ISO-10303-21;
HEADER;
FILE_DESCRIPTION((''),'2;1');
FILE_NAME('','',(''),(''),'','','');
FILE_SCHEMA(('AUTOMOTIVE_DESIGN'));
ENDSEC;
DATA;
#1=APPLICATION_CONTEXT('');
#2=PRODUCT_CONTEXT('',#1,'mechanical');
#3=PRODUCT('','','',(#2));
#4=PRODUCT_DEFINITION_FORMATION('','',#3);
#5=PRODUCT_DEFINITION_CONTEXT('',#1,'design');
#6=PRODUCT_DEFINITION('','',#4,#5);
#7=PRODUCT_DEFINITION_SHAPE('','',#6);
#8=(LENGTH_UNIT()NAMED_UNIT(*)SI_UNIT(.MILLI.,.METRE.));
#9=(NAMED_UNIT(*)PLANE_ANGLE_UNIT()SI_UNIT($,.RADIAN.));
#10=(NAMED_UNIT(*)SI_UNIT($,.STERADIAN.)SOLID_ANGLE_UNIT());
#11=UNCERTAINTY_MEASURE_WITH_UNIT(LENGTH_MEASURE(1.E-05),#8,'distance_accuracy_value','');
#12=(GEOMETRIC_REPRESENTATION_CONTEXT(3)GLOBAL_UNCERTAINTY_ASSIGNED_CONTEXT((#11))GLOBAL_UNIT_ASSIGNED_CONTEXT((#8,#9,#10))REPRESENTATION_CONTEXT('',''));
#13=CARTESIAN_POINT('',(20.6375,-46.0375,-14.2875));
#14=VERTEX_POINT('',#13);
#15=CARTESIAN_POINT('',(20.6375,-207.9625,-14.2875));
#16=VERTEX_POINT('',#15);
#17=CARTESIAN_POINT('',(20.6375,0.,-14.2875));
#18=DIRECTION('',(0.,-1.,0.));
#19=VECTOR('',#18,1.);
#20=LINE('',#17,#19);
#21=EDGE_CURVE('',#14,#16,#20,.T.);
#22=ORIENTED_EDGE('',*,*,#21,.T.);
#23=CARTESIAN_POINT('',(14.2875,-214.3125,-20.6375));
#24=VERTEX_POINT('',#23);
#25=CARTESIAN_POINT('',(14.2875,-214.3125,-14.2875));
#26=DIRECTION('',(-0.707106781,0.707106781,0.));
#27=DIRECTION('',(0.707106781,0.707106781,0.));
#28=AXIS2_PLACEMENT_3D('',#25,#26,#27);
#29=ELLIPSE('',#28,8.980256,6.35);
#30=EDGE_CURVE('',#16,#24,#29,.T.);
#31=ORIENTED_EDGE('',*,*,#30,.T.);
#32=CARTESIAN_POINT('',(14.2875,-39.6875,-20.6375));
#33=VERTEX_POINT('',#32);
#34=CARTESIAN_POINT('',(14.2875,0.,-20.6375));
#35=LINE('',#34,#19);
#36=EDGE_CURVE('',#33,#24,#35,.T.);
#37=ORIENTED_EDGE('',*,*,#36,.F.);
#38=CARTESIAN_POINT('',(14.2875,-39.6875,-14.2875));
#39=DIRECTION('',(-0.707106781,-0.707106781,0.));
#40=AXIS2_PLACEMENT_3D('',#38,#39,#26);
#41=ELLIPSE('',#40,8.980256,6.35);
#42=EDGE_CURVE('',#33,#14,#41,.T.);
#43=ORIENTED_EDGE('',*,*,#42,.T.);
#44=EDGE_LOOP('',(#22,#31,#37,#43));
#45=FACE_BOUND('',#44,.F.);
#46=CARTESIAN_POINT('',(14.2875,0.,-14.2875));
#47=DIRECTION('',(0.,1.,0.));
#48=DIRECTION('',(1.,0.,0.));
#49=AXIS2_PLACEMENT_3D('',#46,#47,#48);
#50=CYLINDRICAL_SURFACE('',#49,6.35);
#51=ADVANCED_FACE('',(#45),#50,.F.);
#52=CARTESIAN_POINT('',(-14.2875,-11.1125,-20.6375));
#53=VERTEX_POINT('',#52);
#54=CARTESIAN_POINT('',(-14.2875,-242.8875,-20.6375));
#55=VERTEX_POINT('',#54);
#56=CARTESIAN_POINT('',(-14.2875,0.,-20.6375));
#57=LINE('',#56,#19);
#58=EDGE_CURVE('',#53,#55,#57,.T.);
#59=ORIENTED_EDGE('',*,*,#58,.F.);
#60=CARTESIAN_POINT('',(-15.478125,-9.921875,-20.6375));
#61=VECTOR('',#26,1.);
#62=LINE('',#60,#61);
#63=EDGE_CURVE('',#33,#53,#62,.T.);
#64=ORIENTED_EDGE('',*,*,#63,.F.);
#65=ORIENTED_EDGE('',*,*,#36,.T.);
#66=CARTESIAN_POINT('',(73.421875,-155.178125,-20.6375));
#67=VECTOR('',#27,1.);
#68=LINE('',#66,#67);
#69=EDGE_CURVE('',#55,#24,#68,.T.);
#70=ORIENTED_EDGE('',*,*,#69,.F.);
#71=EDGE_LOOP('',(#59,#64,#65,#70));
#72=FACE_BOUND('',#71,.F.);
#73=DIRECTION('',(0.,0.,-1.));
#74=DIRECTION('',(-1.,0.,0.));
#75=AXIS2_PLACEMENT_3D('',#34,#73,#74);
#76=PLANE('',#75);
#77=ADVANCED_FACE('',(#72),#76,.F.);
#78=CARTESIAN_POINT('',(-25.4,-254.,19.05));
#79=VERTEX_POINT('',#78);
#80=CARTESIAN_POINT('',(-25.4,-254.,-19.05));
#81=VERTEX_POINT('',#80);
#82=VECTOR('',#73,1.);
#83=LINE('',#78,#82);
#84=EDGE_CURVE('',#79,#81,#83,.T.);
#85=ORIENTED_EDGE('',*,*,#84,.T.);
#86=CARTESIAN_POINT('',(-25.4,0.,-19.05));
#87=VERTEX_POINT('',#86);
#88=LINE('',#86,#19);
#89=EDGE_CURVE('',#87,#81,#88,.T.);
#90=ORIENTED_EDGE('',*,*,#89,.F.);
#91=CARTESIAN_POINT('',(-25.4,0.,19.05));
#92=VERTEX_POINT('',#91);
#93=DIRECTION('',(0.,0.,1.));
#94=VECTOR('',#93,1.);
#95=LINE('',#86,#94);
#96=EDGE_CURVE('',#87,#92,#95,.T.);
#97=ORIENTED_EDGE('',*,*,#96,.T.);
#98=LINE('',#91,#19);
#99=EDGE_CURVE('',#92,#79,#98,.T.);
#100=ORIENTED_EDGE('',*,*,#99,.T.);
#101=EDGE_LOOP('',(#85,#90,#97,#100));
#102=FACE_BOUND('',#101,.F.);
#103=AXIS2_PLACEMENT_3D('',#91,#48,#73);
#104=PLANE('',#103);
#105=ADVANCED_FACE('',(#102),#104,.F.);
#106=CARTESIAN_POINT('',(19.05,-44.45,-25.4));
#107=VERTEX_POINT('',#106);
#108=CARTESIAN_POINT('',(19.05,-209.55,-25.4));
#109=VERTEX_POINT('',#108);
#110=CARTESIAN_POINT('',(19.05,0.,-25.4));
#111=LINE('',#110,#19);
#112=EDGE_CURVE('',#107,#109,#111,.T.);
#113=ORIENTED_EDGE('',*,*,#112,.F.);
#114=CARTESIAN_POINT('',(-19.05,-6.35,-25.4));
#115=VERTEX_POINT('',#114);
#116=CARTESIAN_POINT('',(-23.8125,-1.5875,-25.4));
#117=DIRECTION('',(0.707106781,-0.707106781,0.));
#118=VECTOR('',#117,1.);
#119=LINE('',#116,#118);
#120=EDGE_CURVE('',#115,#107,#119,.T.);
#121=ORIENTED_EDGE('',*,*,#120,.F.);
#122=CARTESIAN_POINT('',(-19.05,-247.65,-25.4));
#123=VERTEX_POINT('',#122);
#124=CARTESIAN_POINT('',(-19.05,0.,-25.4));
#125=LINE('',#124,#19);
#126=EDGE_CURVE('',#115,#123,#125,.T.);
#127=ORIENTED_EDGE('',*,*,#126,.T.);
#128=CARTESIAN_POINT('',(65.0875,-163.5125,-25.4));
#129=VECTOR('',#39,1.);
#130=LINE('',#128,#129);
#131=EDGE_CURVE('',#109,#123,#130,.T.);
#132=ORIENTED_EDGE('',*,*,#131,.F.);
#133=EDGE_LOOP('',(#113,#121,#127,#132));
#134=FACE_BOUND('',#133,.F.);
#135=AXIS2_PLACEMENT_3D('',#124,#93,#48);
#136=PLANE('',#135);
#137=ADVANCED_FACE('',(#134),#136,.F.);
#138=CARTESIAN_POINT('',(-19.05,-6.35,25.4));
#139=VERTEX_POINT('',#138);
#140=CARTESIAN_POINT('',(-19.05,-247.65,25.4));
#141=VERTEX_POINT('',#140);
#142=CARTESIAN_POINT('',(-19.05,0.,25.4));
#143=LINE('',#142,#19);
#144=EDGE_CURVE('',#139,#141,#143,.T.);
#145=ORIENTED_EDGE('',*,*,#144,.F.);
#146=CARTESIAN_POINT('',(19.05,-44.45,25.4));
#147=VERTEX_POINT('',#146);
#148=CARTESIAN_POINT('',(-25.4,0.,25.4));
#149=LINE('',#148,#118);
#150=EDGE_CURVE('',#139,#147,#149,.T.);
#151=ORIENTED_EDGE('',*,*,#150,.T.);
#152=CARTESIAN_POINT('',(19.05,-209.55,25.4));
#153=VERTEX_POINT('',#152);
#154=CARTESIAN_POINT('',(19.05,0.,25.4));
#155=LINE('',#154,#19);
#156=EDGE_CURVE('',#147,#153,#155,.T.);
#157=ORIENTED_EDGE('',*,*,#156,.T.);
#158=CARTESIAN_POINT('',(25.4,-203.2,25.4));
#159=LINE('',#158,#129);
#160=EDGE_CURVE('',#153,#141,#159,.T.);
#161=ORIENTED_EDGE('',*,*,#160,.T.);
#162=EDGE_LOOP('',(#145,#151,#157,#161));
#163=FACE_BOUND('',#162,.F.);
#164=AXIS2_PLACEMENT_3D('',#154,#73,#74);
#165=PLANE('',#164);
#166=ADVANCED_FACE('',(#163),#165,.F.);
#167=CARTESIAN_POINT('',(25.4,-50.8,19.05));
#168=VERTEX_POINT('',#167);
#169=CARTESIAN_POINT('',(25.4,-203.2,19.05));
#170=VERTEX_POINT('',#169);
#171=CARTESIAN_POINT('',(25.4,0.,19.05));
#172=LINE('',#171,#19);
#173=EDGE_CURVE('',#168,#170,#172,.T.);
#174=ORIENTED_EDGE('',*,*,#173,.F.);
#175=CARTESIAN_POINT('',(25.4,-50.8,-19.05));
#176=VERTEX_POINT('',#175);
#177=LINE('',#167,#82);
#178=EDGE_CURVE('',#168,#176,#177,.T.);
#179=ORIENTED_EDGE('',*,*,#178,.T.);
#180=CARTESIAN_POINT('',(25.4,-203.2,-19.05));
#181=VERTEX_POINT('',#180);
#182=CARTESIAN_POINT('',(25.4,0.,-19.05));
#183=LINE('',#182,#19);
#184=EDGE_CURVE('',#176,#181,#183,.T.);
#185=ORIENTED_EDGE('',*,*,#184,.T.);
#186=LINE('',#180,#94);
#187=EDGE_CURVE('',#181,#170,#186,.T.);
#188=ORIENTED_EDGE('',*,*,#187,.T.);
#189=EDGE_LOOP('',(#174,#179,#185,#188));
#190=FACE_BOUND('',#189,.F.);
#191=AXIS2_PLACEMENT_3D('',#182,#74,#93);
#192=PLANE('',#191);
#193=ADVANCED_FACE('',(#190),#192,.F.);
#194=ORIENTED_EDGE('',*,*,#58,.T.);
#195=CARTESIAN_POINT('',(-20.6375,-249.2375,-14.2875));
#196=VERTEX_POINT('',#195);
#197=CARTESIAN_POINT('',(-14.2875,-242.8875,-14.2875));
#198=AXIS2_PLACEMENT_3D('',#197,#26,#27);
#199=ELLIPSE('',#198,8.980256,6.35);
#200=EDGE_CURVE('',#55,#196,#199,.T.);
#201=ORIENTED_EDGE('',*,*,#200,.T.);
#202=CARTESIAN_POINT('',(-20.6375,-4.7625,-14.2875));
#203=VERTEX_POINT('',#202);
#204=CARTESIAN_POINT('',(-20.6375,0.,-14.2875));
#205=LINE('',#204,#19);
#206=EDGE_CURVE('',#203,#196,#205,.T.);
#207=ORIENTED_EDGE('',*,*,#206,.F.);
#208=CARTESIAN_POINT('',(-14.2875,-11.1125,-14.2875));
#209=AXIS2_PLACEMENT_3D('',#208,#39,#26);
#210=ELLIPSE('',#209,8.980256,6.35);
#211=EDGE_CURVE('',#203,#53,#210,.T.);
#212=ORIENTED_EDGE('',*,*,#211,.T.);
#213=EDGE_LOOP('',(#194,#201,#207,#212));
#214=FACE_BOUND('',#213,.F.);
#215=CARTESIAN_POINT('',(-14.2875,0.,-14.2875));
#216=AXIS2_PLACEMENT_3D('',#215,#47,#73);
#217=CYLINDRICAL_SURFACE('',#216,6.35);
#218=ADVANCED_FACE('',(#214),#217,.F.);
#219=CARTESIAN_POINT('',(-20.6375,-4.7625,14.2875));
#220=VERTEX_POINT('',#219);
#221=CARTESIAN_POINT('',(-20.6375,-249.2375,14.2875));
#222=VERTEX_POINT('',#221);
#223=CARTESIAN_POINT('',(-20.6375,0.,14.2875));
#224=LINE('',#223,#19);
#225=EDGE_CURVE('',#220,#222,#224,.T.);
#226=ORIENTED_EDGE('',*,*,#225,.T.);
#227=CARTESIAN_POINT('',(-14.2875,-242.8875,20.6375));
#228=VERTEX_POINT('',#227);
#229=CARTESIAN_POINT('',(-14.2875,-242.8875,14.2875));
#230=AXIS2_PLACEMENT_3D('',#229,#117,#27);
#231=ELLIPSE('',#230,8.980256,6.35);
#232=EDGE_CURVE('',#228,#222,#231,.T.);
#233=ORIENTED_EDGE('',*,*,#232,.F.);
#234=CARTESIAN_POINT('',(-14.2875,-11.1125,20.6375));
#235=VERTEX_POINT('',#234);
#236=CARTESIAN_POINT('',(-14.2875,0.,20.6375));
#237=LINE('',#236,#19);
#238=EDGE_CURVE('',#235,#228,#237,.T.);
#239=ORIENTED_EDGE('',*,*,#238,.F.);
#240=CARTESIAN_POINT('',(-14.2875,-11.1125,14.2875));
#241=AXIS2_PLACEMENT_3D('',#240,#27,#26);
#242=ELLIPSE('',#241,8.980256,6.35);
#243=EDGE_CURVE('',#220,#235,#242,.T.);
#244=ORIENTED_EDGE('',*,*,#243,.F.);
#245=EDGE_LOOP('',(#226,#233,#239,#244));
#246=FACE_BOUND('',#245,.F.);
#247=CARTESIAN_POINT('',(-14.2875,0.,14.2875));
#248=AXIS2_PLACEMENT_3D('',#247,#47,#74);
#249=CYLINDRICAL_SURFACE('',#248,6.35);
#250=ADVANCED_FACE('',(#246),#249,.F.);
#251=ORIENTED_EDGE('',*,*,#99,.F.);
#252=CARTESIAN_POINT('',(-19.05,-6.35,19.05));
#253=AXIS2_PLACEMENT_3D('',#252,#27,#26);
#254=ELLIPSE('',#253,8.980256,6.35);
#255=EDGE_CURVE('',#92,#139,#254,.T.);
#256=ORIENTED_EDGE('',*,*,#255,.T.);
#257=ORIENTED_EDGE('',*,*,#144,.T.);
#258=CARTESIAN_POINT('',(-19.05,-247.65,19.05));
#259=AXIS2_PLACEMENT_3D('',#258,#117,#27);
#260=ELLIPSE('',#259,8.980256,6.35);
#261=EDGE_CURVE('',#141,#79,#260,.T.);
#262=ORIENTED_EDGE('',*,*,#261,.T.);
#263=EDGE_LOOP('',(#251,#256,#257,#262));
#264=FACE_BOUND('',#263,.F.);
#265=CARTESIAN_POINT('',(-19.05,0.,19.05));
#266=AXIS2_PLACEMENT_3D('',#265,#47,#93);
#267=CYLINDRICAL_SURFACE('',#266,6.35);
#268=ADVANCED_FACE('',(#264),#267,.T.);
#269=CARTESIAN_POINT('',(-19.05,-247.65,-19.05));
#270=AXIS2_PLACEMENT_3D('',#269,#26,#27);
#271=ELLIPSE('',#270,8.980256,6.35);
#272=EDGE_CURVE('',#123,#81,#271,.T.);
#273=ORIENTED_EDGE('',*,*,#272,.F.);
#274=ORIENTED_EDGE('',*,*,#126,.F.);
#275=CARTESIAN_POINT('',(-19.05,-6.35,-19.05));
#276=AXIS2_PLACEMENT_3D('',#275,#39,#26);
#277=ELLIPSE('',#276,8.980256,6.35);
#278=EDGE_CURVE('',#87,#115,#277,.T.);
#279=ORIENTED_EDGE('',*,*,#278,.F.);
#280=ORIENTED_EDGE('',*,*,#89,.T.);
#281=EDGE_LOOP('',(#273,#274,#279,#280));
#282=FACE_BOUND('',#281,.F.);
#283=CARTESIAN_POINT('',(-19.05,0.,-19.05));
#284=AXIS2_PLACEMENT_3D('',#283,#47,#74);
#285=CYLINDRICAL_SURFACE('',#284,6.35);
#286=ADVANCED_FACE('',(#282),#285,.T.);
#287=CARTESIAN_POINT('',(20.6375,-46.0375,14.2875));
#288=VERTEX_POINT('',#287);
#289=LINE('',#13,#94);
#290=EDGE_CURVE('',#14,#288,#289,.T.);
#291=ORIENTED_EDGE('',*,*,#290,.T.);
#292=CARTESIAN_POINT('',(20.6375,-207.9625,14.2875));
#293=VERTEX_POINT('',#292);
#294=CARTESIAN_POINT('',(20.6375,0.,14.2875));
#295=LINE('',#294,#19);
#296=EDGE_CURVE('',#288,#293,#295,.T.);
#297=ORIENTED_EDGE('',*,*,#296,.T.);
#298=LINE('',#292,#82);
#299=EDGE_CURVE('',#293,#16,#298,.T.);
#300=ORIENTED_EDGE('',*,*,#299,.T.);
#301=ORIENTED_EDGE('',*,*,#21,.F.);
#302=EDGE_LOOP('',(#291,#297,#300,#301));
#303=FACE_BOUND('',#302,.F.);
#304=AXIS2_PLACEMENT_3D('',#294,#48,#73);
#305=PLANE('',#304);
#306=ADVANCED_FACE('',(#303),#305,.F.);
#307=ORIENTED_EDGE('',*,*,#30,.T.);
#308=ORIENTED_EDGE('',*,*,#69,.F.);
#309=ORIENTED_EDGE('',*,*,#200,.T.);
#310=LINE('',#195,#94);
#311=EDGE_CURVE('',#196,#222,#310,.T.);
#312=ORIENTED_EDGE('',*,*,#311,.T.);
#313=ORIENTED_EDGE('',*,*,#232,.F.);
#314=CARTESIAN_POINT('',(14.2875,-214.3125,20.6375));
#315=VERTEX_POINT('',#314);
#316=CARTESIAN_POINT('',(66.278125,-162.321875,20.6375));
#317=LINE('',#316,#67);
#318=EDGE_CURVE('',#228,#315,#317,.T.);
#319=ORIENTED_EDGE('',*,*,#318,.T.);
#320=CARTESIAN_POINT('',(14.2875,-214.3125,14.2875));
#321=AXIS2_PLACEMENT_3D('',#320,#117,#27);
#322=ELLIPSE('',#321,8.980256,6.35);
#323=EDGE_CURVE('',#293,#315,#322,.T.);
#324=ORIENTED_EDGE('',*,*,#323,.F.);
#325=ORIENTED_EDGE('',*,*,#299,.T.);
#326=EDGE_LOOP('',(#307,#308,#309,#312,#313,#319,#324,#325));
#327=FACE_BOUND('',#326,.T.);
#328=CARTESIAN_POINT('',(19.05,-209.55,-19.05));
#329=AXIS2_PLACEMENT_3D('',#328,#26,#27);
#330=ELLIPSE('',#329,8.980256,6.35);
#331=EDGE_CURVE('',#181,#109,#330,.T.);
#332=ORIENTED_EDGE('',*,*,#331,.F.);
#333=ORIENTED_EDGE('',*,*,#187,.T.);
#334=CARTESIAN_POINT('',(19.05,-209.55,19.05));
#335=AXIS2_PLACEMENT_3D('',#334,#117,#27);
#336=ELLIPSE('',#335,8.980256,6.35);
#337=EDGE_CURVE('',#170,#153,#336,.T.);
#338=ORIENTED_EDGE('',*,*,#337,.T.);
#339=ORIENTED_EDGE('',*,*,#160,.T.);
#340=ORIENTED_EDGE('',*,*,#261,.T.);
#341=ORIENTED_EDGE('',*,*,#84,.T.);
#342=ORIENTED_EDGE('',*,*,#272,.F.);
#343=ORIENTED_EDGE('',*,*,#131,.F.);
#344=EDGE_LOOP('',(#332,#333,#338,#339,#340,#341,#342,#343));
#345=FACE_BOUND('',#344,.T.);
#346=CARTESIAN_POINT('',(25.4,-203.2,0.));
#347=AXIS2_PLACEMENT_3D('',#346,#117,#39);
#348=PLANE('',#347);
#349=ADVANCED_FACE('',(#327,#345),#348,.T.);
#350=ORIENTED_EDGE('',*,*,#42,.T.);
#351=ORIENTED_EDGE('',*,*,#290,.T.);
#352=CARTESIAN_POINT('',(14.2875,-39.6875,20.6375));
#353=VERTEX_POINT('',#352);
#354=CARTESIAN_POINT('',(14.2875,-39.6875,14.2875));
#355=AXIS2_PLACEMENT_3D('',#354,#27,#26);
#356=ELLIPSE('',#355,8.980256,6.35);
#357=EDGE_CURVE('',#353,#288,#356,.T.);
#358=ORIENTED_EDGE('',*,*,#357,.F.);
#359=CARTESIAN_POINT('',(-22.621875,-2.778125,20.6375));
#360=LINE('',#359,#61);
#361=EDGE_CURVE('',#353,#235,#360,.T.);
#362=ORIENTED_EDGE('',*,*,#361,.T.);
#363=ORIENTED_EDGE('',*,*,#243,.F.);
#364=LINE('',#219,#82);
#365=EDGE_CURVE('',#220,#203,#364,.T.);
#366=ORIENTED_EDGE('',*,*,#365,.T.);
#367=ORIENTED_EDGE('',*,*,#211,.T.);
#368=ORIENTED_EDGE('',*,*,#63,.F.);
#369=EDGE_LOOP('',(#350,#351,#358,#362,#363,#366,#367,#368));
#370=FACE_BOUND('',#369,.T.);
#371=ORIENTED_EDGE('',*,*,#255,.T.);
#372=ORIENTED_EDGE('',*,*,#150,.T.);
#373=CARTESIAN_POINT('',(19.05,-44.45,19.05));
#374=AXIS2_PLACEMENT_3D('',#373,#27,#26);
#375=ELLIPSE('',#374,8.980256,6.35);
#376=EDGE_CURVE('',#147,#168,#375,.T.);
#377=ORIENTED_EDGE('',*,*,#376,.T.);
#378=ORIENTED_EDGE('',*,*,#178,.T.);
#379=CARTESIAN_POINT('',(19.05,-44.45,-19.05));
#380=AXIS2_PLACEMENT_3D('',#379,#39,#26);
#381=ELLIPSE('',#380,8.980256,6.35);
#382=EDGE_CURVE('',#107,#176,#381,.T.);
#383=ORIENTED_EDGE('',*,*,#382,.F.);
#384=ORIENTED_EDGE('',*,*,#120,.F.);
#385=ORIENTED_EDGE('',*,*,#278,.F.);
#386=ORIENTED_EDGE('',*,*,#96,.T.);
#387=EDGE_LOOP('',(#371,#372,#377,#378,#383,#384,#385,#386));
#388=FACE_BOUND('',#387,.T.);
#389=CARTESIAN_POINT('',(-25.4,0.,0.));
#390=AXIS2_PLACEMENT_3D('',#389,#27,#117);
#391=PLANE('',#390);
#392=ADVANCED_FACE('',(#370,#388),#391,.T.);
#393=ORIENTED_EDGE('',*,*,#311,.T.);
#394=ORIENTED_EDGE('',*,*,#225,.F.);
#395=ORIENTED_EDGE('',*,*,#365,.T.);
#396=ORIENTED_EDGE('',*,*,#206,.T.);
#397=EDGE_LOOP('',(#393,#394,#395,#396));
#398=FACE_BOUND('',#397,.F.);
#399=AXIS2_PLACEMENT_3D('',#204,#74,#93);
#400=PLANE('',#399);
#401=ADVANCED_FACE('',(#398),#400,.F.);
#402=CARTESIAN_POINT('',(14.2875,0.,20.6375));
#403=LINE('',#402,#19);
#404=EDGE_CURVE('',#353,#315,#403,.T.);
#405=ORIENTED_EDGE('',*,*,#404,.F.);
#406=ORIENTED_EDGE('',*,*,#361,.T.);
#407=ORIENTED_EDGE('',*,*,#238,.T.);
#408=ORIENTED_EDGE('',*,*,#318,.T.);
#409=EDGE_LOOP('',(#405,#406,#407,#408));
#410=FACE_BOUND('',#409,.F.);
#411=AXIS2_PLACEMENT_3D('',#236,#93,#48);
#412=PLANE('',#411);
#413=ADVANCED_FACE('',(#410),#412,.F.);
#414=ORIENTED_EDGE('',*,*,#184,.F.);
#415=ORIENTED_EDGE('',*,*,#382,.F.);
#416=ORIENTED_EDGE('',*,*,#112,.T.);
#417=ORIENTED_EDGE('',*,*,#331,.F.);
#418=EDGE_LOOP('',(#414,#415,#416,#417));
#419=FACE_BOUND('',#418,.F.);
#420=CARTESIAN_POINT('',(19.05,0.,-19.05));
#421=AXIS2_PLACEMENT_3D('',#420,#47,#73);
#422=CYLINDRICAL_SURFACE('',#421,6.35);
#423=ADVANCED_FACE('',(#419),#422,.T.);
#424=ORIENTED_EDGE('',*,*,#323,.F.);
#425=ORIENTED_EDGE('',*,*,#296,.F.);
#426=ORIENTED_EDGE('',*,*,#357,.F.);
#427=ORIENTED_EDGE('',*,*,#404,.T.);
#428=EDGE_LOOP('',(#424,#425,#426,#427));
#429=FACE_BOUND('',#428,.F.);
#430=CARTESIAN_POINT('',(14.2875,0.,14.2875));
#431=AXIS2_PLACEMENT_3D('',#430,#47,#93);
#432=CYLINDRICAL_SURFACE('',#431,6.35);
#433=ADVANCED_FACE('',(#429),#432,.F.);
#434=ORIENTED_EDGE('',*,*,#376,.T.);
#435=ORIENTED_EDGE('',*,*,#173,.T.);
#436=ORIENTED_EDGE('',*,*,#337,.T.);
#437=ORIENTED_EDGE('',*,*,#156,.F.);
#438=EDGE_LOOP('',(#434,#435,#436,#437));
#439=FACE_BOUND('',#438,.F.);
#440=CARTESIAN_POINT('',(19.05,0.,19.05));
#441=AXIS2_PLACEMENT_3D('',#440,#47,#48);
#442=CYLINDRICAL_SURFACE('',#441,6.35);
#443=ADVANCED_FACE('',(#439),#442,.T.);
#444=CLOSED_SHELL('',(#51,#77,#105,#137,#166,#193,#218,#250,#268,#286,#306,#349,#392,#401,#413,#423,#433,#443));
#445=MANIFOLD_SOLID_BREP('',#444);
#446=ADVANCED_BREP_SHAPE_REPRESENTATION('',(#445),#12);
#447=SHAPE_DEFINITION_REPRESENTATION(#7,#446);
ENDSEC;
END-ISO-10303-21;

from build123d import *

# Parameters (mm, degrees)
F1_DEPTH      = 254
F3_DEPTH      = 25.401
F3_DEPTH_BACK = 25.4


with BuildPart() as f1:
    # F0 (on Front) → F1 (new body)
    with BuildSketch(Plane.XZ):
        with BuildLine():
            ThreePointArc((25.4, 19.05), (23.5401280605, 23.5401280605), (19.05, 25.4))
            Line((19.05, 25.4), (-19.05, 25.4))
            ThreePointArc((-19.05, 25.4), (-23.5401280605, 23.5401280605), (-25.4, 19.05))
            Line((-25.4, 19.05), (-25.4, -19.05))
            ThreePointArc((-25.4, -19.05), (-23.5401280605, -23.5401280605), (-19.05, -25.4))
            Line((-19.05, -25.4), (19.05, -25.4))
            ThreePointArc((19.05, -25.4), (23.5401280605, -23.5401280605), (25.4, -19.05))
            Line((25.4, -19.05), (25.4, 19.05))
        make_face()
        with BuildLine():
            Line((-14.2875, 20.6375), (14.2875, 20.6375))
            ThreePointArc((14.2875, 20.6375), (18.7776280605, 18.7776280605), (20.6375, 14.2875))
            Line((20.6375, 14.2875), (20.6375, -14.2875))
            ThreePointArc((20.6375, -14.2875), (18.7776280605, -18.7776280605), (14.2875, -20.6375))
            Line((14.2875, -20.6375), (-14.2875, -20.6375))
            ThreePointArc((-14.2875, -20.6375), (-18.7776280605, -18.7776280605), (-20.6375, -14.2875))
            Line((-20.6375, -14.2875), (-20.6375, 14.2875))
            ThreePointArc((-20.6375, 14.2875), (-18.7776280605, 18.7776280605), (-14.2875, 20.6375))
        make_face(mode=Mode.SUBTRACT)
    extrude(amount=F1_DEPTH)

    # F2 (on Top) → F3 (cut, two sides)
    with BuildSketch(Plane.XY) as f3_sk:
        Polygon((25.4, -50.8), (25.4, 0), (-25.4, 0), align=None)
        Polygon((-25.4, -254), (25.4, -254), (25.4, -203.2), align=None)
    extrude(amount=-F3_DEPTH, mode=Mode.SUBTRACT)
    extrude(f3_sk.sketch, amount=F3_DEPTH_BACK, mode=Mode.SUBTRACT)


solid = f1.part
